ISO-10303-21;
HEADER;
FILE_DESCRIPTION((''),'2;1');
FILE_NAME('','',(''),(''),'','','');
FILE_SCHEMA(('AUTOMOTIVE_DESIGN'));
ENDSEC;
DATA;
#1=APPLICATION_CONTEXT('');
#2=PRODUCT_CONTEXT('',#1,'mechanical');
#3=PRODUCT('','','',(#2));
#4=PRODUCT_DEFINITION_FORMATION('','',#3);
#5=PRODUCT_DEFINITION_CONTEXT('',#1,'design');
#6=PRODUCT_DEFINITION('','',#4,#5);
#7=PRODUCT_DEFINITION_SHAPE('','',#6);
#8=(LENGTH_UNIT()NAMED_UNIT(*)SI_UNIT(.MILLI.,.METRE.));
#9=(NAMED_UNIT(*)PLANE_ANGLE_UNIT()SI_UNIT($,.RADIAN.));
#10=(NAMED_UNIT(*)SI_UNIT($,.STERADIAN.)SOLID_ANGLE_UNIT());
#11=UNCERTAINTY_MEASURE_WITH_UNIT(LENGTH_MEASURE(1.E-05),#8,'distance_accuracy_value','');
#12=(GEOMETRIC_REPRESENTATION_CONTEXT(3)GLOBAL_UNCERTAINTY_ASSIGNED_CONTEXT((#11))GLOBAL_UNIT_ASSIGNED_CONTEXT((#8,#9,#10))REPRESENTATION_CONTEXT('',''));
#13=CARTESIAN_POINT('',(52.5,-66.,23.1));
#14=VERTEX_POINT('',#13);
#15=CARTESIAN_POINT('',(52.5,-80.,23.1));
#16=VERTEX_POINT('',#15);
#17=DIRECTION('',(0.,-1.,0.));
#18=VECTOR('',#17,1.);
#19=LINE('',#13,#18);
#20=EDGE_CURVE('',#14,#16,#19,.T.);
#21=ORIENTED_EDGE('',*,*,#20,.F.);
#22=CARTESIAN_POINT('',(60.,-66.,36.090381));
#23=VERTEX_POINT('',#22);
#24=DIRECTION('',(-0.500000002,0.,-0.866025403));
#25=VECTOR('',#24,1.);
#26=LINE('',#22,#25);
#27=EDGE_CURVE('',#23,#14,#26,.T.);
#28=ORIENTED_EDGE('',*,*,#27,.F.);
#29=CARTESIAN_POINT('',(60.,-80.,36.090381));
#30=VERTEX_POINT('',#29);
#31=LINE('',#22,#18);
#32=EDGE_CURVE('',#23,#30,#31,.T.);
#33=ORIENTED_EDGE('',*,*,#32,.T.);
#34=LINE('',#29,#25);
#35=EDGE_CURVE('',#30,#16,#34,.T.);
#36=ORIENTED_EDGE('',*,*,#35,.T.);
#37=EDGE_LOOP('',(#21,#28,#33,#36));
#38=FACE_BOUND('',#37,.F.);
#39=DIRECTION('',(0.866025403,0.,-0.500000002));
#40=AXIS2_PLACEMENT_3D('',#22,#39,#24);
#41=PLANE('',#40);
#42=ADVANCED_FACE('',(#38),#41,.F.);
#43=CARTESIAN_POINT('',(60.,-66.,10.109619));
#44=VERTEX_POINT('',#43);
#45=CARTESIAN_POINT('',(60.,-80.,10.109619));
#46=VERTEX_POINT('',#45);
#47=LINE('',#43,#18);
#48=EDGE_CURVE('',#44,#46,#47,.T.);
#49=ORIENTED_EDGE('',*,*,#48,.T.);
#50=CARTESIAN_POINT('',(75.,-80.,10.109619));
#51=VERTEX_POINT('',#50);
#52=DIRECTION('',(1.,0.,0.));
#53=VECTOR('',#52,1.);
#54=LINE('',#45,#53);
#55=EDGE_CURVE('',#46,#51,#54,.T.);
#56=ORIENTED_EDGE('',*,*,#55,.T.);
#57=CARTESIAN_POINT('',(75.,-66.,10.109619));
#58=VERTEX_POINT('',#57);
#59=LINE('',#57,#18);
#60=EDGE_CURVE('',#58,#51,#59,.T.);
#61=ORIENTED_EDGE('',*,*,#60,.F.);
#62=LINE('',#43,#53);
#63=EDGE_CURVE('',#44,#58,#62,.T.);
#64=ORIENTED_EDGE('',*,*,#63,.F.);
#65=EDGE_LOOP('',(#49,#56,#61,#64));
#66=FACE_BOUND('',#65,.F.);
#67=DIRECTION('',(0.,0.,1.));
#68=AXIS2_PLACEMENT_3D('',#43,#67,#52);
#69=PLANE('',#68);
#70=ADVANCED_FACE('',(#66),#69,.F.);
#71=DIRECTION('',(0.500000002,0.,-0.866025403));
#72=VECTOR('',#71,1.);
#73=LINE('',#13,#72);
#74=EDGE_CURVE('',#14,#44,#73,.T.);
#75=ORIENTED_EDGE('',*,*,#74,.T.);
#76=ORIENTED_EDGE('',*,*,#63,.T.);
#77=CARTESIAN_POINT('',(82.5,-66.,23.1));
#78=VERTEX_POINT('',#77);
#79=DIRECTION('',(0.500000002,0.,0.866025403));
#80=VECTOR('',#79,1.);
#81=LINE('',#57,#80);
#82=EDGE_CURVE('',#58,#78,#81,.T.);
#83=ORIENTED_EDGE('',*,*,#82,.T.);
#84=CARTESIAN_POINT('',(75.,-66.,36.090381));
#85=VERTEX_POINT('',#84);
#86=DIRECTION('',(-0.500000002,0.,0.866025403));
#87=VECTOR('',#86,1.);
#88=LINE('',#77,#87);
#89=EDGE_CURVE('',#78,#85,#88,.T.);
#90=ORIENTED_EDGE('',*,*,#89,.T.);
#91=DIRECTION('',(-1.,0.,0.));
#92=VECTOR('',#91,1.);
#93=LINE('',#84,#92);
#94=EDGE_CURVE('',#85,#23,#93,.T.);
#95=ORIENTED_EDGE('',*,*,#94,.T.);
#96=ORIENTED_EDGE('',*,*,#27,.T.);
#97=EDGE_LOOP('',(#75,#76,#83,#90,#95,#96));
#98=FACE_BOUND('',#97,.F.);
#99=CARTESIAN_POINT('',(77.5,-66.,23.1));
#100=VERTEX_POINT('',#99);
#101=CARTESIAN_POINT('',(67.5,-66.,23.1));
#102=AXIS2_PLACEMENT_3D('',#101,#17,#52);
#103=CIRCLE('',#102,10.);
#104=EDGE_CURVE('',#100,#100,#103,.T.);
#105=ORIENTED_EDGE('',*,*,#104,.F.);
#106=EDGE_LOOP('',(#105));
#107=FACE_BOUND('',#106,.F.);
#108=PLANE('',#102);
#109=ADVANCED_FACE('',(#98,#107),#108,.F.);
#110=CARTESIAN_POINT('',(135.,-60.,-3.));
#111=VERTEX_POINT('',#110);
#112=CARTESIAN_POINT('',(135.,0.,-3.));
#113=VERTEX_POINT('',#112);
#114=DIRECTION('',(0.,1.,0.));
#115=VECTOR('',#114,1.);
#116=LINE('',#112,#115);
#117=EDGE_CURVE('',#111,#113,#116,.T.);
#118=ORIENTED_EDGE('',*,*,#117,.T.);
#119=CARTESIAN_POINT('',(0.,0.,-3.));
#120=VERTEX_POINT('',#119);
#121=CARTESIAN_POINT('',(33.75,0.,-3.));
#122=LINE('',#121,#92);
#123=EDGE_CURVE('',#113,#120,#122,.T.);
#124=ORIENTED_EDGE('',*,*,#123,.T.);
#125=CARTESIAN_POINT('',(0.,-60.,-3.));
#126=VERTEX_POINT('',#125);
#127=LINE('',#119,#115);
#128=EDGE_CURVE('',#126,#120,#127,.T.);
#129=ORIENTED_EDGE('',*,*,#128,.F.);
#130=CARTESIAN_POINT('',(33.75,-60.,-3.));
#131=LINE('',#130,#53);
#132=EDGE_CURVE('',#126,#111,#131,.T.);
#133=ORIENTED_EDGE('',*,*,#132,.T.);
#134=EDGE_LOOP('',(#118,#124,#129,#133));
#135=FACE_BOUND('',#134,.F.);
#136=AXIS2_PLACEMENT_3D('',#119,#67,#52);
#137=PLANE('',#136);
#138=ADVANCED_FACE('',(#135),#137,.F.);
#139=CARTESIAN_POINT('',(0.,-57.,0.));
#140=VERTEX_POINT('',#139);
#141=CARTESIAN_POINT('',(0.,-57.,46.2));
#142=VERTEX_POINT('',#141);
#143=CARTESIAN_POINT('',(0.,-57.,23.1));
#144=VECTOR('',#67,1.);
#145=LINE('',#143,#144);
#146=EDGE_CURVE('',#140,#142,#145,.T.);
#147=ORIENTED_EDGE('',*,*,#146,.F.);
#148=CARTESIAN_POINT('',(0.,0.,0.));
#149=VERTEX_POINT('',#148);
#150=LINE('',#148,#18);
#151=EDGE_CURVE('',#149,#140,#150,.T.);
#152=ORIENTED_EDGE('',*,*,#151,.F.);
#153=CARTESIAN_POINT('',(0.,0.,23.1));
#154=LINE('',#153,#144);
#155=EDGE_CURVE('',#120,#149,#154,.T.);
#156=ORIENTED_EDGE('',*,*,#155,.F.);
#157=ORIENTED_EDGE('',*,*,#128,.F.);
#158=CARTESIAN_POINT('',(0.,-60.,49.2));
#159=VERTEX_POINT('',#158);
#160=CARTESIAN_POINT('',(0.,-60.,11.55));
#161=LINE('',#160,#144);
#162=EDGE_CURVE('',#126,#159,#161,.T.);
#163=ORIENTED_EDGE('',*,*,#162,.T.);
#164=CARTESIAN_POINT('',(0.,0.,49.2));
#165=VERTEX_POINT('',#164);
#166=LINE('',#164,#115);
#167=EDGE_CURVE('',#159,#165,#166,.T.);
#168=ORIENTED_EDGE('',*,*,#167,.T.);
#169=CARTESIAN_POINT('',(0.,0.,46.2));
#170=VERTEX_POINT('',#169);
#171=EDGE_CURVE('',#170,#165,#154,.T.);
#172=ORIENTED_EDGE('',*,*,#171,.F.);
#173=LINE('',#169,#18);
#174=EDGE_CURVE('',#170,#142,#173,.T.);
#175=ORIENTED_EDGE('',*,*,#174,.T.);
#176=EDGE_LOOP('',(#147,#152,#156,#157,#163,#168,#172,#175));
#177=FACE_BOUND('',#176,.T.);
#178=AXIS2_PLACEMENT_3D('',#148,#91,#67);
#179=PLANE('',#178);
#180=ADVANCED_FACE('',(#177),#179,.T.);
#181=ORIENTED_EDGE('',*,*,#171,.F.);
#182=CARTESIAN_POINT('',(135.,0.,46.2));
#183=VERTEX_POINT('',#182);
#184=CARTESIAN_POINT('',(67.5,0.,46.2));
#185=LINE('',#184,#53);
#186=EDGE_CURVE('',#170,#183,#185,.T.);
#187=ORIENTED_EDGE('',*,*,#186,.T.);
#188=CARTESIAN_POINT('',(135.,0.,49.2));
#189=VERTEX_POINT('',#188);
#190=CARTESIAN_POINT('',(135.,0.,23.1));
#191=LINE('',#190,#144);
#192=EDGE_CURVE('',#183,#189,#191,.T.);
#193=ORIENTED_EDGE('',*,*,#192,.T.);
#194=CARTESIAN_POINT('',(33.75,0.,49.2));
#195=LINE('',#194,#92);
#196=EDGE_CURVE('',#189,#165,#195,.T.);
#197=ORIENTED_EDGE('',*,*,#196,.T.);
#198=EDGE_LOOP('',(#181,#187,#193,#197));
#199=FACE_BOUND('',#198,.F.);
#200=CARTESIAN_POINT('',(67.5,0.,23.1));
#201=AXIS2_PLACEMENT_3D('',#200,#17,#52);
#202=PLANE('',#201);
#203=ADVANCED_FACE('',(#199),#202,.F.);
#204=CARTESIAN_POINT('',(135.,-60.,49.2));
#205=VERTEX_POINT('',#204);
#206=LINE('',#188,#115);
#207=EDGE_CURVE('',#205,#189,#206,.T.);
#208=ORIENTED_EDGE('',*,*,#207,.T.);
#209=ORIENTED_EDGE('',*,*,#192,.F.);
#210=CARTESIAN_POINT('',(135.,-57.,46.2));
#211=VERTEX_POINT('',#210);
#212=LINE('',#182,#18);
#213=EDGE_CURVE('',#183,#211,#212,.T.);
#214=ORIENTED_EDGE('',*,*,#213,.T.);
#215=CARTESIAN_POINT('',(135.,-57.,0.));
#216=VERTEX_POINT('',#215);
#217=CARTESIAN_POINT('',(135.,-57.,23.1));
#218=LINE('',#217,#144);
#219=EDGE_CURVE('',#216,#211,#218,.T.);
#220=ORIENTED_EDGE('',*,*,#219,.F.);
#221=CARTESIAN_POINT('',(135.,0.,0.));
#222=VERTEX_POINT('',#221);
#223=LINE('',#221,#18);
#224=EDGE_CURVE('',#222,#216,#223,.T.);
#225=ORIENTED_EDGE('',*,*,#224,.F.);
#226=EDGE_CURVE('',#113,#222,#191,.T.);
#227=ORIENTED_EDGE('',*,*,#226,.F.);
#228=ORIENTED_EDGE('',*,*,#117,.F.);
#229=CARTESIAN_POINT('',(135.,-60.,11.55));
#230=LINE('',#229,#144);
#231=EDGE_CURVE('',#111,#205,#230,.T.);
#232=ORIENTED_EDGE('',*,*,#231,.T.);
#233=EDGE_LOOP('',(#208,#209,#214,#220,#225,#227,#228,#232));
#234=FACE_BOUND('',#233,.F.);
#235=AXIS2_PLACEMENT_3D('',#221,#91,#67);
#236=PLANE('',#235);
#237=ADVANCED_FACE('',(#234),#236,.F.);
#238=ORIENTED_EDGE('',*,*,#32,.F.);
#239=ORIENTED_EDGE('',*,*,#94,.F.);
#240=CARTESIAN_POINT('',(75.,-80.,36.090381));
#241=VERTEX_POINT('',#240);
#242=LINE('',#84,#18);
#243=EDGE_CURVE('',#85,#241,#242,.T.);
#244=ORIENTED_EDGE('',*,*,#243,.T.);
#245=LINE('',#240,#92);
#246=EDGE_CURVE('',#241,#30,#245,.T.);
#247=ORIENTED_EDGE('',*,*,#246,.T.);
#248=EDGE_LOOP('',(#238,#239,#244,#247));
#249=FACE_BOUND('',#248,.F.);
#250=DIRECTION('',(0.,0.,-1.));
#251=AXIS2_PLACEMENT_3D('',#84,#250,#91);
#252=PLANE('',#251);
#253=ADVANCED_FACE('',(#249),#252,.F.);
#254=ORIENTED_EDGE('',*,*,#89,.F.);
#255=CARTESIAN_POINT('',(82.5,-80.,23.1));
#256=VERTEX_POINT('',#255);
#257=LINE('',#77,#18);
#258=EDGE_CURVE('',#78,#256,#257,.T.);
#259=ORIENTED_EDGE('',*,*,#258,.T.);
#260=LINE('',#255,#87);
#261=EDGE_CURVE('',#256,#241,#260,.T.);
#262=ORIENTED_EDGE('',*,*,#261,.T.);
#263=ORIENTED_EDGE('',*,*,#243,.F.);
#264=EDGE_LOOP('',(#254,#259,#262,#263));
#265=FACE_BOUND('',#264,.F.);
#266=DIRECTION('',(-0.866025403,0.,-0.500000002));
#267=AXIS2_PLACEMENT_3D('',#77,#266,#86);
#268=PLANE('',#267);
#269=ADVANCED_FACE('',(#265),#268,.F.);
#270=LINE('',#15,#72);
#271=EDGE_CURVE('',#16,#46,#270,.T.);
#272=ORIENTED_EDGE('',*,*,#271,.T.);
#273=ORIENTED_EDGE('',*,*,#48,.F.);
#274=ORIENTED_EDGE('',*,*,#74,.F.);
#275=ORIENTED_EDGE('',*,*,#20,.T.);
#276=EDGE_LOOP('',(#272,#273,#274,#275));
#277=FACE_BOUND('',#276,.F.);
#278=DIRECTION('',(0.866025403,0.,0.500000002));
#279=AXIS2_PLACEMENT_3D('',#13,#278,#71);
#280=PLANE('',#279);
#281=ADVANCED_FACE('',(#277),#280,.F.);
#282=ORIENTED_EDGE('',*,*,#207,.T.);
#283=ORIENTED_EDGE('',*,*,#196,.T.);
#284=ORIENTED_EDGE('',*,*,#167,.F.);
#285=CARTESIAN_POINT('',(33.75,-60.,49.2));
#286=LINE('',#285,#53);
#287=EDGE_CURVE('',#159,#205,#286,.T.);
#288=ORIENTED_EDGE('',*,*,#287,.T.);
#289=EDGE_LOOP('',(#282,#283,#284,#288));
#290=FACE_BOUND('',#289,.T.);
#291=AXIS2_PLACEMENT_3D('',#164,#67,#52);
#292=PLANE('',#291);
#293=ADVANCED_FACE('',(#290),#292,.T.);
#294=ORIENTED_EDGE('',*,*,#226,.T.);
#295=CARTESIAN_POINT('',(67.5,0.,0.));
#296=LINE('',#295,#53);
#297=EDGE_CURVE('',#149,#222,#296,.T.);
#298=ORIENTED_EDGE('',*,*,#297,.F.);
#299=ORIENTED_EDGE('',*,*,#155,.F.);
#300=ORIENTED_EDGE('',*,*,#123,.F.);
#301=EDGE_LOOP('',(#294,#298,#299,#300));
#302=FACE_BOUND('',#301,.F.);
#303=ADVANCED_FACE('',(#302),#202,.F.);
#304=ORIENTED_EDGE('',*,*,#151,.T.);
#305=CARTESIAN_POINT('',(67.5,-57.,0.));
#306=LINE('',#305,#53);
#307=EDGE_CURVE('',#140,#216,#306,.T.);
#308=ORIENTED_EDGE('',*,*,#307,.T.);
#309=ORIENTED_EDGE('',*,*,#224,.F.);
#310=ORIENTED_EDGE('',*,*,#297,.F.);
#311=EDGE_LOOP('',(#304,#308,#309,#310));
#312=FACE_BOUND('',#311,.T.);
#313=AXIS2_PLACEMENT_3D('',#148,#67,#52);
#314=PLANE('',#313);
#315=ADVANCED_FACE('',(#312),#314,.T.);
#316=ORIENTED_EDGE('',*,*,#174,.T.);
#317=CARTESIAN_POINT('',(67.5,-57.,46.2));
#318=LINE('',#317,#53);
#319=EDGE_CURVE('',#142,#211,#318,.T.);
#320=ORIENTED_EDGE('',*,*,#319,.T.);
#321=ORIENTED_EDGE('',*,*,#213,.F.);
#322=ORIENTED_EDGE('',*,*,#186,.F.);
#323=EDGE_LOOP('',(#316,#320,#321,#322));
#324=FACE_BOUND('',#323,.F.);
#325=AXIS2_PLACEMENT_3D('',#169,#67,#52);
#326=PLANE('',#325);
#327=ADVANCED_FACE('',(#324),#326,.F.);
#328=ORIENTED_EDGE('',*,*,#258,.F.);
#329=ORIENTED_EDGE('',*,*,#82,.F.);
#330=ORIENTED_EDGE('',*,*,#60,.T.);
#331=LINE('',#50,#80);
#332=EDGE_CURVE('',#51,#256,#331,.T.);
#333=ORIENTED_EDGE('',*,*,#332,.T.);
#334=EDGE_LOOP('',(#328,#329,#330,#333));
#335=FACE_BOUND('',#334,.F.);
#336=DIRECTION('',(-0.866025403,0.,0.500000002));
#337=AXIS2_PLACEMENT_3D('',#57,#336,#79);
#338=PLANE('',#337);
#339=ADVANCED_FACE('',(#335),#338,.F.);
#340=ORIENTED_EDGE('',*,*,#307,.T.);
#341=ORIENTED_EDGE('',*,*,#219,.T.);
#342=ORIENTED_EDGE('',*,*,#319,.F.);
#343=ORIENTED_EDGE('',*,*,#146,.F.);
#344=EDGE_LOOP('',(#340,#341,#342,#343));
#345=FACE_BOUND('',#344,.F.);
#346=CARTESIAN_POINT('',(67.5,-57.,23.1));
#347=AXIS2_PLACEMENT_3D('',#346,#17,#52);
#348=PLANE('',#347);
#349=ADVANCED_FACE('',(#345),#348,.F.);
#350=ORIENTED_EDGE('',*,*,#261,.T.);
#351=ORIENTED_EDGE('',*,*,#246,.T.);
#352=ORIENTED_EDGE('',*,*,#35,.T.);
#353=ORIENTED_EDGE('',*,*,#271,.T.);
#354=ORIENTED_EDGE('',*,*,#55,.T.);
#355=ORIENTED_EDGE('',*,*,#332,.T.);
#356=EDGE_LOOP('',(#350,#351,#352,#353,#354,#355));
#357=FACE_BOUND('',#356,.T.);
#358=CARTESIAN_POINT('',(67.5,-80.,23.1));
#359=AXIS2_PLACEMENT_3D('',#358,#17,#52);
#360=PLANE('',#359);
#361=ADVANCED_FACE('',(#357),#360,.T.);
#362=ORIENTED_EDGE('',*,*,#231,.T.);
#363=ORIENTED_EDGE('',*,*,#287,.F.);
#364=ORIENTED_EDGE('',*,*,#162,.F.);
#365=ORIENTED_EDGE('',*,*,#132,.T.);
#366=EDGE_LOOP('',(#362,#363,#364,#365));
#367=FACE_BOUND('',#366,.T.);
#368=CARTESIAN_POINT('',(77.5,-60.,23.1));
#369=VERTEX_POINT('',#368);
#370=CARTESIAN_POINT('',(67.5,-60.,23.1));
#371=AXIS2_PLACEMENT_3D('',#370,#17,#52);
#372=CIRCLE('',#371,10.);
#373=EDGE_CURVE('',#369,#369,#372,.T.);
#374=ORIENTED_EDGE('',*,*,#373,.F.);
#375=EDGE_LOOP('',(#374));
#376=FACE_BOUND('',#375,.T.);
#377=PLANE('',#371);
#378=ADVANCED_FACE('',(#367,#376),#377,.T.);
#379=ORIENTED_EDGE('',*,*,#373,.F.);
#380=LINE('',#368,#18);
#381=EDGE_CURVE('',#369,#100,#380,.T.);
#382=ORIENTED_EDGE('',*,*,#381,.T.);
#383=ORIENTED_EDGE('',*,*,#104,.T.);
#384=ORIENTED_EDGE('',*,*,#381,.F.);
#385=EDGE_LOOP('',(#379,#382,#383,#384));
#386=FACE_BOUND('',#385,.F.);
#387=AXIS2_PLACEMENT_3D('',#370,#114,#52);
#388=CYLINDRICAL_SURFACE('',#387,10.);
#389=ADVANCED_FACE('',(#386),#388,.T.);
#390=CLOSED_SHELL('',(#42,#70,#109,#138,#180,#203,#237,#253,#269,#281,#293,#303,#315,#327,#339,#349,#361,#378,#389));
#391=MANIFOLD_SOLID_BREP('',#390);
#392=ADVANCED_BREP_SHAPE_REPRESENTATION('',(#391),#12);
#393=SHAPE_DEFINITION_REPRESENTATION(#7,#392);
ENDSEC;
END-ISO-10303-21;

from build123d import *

# Parameters (mm, degrees)
SKETCH018_W    = 135
SKETCH018_H    = 46.2
PAD008_DEPTH   = 57
THICKNESS001_T = 3
SKETCH019_R    = 10
PAD009_DEPTH   = 6
PAD010_DEPTH   = 14


with BuildPart() as part:
    # Sketch018 → Pad008 (new body)
    with BuildSketch(Plane.XZ):
        with Locations((67.5, 23.1)):
            Rectangle(SKETCH018_W, SKETCH018_H)
    extrude(amount=PAD008_DEPTH)

    # Thickness001
    thickness001_openings = [part.faces().sort_by_distance(p)[0] for p in [
        (135, -28.5, 23.1),
        (67.5, 0, 23.1),
        (0, -28.5, 23.1),
    ]]
    offset(amount=THICKNESS001_T, openings=thickness001_openings, kind=Kind.INTERSECTION)

    # Sketch019 (on Face10 of Thickness001) → Pad009 (join)
    with BuildSketch(Plane.XZ.offset(60)):
        with Locations((67.5, 23.1)):
            Circle(SKETCH019_R)
    extrude(amount=PAD009_DEPTH)

    # Sketch020 (on Face12 of Pad009) → Pad010 (join)
    with BuildSketch(Plane.XZ.offset(66)):
        Polygon((60, 36.090381), (52.5, 23.1), (60, 10.109619), (75, 10.109619), (82.5, 23.1), (75, 36.090381), align=None)
    extrude(amount=PAD010_DEPTH)


solid = part.part
